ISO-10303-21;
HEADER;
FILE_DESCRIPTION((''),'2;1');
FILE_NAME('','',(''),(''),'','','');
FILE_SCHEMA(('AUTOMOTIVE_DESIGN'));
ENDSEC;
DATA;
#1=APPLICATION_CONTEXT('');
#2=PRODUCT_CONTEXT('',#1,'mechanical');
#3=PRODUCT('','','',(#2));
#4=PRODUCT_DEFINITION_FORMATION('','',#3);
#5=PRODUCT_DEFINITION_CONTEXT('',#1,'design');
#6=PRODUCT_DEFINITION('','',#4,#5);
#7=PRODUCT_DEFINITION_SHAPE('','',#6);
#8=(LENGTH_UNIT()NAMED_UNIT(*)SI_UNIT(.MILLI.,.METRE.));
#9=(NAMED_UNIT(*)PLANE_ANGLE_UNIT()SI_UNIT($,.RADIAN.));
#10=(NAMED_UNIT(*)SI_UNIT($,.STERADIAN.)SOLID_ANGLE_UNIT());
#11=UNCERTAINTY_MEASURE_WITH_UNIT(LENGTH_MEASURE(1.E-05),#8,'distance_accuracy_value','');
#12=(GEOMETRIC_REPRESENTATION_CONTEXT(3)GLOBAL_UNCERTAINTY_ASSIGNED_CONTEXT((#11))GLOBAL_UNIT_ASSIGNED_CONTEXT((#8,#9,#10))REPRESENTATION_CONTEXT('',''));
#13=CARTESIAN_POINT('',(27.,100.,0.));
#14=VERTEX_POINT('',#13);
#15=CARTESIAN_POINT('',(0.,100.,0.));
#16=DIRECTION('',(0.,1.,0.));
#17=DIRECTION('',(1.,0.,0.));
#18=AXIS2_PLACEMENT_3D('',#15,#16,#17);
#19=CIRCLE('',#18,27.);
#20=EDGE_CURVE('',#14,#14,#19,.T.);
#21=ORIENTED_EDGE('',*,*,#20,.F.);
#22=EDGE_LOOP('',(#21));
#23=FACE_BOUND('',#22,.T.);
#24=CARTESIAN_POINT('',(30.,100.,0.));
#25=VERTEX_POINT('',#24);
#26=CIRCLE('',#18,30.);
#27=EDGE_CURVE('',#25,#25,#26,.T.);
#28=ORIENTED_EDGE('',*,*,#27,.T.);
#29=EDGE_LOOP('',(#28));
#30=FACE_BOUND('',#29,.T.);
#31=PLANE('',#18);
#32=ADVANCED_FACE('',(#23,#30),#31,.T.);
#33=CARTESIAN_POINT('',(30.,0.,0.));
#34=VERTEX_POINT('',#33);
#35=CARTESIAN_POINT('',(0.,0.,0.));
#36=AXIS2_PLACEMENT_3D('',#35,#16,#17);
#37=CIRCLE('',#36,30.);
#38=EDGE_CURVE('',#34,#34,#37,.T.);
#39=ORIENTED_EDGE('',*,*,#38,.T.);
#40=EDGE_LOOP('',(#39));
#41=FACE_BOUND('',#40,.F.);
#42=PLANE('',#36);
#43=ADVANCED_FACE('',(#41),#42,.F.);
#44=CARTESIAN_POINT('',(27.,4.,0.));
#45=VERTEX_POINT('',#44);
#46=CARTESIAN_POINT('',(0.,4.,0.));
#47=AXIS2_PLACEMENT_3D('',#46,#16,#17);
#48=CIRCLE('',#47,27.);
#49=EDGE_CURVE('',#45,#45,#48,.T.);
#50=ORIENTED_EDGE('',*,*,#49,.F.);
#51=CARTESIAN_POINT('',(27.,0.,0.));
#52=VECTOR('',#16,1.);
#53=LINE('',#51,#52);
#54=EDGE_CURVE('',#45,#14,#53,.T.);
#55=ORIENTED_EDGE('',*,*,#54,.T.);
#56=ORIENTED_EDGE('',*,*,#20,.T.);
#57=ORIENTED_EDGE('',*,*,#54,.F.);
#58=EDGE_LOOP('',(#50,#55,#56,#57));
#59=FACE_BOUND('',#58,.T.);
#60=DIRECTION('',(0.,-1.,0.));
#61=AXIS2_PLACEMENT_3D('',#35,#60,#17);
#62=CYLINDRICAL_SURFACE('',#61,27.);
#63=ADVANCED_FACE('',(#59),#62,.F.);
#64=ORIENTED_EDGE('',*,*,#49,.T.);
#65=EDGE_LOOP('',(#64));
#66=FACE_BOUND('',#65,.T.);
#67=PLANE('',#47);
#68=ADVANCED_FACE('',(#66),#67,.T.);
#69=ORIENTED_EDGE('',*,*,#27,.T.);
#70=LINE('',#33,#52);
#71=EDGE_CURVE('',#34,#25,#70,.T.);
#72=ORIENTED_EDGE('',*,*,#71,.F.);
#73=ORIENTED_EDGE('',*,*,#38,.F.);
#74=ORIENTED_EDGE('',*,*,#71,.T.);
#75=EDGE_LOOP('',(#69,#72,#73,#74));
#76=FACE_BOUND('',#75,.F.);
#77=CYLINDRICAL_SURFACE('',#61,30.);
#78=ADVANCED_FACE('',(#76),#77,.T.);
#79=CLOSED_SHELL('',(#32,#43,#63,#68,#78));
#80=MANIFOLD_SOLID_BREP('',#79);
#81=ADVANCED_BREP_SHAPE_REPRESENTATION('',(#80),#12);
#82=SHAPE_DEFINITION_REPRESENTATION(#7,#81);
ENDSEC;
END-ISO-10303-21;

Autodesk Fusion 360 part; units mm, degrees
sketch "Sketch1" plane through (0, 0, 0) normal (0, 1, 0) x (1, 0, 0)
  circle A0 centre (0, 0) radius 30
  circle A1 centre (0, 0) radius 27
  dimension "d1" = 60
  dimension "d7" = 3
extrude "Extrude1" add sketch "Sketch1" along normal blind 100 makes body 1
extrude "Extrude2" add sketch "Sketch1" along normal blind 4 contours A1 bodies 1
copy_body "Body->Comp1" bodies 1 removing the originals makes body 2 in component "tubeToolHolder03"
component "tubeToolHolder03" placed x (1, 0, 0) y (0, 1, 0) z (0, 0, 1) at (0, 0, 0)
